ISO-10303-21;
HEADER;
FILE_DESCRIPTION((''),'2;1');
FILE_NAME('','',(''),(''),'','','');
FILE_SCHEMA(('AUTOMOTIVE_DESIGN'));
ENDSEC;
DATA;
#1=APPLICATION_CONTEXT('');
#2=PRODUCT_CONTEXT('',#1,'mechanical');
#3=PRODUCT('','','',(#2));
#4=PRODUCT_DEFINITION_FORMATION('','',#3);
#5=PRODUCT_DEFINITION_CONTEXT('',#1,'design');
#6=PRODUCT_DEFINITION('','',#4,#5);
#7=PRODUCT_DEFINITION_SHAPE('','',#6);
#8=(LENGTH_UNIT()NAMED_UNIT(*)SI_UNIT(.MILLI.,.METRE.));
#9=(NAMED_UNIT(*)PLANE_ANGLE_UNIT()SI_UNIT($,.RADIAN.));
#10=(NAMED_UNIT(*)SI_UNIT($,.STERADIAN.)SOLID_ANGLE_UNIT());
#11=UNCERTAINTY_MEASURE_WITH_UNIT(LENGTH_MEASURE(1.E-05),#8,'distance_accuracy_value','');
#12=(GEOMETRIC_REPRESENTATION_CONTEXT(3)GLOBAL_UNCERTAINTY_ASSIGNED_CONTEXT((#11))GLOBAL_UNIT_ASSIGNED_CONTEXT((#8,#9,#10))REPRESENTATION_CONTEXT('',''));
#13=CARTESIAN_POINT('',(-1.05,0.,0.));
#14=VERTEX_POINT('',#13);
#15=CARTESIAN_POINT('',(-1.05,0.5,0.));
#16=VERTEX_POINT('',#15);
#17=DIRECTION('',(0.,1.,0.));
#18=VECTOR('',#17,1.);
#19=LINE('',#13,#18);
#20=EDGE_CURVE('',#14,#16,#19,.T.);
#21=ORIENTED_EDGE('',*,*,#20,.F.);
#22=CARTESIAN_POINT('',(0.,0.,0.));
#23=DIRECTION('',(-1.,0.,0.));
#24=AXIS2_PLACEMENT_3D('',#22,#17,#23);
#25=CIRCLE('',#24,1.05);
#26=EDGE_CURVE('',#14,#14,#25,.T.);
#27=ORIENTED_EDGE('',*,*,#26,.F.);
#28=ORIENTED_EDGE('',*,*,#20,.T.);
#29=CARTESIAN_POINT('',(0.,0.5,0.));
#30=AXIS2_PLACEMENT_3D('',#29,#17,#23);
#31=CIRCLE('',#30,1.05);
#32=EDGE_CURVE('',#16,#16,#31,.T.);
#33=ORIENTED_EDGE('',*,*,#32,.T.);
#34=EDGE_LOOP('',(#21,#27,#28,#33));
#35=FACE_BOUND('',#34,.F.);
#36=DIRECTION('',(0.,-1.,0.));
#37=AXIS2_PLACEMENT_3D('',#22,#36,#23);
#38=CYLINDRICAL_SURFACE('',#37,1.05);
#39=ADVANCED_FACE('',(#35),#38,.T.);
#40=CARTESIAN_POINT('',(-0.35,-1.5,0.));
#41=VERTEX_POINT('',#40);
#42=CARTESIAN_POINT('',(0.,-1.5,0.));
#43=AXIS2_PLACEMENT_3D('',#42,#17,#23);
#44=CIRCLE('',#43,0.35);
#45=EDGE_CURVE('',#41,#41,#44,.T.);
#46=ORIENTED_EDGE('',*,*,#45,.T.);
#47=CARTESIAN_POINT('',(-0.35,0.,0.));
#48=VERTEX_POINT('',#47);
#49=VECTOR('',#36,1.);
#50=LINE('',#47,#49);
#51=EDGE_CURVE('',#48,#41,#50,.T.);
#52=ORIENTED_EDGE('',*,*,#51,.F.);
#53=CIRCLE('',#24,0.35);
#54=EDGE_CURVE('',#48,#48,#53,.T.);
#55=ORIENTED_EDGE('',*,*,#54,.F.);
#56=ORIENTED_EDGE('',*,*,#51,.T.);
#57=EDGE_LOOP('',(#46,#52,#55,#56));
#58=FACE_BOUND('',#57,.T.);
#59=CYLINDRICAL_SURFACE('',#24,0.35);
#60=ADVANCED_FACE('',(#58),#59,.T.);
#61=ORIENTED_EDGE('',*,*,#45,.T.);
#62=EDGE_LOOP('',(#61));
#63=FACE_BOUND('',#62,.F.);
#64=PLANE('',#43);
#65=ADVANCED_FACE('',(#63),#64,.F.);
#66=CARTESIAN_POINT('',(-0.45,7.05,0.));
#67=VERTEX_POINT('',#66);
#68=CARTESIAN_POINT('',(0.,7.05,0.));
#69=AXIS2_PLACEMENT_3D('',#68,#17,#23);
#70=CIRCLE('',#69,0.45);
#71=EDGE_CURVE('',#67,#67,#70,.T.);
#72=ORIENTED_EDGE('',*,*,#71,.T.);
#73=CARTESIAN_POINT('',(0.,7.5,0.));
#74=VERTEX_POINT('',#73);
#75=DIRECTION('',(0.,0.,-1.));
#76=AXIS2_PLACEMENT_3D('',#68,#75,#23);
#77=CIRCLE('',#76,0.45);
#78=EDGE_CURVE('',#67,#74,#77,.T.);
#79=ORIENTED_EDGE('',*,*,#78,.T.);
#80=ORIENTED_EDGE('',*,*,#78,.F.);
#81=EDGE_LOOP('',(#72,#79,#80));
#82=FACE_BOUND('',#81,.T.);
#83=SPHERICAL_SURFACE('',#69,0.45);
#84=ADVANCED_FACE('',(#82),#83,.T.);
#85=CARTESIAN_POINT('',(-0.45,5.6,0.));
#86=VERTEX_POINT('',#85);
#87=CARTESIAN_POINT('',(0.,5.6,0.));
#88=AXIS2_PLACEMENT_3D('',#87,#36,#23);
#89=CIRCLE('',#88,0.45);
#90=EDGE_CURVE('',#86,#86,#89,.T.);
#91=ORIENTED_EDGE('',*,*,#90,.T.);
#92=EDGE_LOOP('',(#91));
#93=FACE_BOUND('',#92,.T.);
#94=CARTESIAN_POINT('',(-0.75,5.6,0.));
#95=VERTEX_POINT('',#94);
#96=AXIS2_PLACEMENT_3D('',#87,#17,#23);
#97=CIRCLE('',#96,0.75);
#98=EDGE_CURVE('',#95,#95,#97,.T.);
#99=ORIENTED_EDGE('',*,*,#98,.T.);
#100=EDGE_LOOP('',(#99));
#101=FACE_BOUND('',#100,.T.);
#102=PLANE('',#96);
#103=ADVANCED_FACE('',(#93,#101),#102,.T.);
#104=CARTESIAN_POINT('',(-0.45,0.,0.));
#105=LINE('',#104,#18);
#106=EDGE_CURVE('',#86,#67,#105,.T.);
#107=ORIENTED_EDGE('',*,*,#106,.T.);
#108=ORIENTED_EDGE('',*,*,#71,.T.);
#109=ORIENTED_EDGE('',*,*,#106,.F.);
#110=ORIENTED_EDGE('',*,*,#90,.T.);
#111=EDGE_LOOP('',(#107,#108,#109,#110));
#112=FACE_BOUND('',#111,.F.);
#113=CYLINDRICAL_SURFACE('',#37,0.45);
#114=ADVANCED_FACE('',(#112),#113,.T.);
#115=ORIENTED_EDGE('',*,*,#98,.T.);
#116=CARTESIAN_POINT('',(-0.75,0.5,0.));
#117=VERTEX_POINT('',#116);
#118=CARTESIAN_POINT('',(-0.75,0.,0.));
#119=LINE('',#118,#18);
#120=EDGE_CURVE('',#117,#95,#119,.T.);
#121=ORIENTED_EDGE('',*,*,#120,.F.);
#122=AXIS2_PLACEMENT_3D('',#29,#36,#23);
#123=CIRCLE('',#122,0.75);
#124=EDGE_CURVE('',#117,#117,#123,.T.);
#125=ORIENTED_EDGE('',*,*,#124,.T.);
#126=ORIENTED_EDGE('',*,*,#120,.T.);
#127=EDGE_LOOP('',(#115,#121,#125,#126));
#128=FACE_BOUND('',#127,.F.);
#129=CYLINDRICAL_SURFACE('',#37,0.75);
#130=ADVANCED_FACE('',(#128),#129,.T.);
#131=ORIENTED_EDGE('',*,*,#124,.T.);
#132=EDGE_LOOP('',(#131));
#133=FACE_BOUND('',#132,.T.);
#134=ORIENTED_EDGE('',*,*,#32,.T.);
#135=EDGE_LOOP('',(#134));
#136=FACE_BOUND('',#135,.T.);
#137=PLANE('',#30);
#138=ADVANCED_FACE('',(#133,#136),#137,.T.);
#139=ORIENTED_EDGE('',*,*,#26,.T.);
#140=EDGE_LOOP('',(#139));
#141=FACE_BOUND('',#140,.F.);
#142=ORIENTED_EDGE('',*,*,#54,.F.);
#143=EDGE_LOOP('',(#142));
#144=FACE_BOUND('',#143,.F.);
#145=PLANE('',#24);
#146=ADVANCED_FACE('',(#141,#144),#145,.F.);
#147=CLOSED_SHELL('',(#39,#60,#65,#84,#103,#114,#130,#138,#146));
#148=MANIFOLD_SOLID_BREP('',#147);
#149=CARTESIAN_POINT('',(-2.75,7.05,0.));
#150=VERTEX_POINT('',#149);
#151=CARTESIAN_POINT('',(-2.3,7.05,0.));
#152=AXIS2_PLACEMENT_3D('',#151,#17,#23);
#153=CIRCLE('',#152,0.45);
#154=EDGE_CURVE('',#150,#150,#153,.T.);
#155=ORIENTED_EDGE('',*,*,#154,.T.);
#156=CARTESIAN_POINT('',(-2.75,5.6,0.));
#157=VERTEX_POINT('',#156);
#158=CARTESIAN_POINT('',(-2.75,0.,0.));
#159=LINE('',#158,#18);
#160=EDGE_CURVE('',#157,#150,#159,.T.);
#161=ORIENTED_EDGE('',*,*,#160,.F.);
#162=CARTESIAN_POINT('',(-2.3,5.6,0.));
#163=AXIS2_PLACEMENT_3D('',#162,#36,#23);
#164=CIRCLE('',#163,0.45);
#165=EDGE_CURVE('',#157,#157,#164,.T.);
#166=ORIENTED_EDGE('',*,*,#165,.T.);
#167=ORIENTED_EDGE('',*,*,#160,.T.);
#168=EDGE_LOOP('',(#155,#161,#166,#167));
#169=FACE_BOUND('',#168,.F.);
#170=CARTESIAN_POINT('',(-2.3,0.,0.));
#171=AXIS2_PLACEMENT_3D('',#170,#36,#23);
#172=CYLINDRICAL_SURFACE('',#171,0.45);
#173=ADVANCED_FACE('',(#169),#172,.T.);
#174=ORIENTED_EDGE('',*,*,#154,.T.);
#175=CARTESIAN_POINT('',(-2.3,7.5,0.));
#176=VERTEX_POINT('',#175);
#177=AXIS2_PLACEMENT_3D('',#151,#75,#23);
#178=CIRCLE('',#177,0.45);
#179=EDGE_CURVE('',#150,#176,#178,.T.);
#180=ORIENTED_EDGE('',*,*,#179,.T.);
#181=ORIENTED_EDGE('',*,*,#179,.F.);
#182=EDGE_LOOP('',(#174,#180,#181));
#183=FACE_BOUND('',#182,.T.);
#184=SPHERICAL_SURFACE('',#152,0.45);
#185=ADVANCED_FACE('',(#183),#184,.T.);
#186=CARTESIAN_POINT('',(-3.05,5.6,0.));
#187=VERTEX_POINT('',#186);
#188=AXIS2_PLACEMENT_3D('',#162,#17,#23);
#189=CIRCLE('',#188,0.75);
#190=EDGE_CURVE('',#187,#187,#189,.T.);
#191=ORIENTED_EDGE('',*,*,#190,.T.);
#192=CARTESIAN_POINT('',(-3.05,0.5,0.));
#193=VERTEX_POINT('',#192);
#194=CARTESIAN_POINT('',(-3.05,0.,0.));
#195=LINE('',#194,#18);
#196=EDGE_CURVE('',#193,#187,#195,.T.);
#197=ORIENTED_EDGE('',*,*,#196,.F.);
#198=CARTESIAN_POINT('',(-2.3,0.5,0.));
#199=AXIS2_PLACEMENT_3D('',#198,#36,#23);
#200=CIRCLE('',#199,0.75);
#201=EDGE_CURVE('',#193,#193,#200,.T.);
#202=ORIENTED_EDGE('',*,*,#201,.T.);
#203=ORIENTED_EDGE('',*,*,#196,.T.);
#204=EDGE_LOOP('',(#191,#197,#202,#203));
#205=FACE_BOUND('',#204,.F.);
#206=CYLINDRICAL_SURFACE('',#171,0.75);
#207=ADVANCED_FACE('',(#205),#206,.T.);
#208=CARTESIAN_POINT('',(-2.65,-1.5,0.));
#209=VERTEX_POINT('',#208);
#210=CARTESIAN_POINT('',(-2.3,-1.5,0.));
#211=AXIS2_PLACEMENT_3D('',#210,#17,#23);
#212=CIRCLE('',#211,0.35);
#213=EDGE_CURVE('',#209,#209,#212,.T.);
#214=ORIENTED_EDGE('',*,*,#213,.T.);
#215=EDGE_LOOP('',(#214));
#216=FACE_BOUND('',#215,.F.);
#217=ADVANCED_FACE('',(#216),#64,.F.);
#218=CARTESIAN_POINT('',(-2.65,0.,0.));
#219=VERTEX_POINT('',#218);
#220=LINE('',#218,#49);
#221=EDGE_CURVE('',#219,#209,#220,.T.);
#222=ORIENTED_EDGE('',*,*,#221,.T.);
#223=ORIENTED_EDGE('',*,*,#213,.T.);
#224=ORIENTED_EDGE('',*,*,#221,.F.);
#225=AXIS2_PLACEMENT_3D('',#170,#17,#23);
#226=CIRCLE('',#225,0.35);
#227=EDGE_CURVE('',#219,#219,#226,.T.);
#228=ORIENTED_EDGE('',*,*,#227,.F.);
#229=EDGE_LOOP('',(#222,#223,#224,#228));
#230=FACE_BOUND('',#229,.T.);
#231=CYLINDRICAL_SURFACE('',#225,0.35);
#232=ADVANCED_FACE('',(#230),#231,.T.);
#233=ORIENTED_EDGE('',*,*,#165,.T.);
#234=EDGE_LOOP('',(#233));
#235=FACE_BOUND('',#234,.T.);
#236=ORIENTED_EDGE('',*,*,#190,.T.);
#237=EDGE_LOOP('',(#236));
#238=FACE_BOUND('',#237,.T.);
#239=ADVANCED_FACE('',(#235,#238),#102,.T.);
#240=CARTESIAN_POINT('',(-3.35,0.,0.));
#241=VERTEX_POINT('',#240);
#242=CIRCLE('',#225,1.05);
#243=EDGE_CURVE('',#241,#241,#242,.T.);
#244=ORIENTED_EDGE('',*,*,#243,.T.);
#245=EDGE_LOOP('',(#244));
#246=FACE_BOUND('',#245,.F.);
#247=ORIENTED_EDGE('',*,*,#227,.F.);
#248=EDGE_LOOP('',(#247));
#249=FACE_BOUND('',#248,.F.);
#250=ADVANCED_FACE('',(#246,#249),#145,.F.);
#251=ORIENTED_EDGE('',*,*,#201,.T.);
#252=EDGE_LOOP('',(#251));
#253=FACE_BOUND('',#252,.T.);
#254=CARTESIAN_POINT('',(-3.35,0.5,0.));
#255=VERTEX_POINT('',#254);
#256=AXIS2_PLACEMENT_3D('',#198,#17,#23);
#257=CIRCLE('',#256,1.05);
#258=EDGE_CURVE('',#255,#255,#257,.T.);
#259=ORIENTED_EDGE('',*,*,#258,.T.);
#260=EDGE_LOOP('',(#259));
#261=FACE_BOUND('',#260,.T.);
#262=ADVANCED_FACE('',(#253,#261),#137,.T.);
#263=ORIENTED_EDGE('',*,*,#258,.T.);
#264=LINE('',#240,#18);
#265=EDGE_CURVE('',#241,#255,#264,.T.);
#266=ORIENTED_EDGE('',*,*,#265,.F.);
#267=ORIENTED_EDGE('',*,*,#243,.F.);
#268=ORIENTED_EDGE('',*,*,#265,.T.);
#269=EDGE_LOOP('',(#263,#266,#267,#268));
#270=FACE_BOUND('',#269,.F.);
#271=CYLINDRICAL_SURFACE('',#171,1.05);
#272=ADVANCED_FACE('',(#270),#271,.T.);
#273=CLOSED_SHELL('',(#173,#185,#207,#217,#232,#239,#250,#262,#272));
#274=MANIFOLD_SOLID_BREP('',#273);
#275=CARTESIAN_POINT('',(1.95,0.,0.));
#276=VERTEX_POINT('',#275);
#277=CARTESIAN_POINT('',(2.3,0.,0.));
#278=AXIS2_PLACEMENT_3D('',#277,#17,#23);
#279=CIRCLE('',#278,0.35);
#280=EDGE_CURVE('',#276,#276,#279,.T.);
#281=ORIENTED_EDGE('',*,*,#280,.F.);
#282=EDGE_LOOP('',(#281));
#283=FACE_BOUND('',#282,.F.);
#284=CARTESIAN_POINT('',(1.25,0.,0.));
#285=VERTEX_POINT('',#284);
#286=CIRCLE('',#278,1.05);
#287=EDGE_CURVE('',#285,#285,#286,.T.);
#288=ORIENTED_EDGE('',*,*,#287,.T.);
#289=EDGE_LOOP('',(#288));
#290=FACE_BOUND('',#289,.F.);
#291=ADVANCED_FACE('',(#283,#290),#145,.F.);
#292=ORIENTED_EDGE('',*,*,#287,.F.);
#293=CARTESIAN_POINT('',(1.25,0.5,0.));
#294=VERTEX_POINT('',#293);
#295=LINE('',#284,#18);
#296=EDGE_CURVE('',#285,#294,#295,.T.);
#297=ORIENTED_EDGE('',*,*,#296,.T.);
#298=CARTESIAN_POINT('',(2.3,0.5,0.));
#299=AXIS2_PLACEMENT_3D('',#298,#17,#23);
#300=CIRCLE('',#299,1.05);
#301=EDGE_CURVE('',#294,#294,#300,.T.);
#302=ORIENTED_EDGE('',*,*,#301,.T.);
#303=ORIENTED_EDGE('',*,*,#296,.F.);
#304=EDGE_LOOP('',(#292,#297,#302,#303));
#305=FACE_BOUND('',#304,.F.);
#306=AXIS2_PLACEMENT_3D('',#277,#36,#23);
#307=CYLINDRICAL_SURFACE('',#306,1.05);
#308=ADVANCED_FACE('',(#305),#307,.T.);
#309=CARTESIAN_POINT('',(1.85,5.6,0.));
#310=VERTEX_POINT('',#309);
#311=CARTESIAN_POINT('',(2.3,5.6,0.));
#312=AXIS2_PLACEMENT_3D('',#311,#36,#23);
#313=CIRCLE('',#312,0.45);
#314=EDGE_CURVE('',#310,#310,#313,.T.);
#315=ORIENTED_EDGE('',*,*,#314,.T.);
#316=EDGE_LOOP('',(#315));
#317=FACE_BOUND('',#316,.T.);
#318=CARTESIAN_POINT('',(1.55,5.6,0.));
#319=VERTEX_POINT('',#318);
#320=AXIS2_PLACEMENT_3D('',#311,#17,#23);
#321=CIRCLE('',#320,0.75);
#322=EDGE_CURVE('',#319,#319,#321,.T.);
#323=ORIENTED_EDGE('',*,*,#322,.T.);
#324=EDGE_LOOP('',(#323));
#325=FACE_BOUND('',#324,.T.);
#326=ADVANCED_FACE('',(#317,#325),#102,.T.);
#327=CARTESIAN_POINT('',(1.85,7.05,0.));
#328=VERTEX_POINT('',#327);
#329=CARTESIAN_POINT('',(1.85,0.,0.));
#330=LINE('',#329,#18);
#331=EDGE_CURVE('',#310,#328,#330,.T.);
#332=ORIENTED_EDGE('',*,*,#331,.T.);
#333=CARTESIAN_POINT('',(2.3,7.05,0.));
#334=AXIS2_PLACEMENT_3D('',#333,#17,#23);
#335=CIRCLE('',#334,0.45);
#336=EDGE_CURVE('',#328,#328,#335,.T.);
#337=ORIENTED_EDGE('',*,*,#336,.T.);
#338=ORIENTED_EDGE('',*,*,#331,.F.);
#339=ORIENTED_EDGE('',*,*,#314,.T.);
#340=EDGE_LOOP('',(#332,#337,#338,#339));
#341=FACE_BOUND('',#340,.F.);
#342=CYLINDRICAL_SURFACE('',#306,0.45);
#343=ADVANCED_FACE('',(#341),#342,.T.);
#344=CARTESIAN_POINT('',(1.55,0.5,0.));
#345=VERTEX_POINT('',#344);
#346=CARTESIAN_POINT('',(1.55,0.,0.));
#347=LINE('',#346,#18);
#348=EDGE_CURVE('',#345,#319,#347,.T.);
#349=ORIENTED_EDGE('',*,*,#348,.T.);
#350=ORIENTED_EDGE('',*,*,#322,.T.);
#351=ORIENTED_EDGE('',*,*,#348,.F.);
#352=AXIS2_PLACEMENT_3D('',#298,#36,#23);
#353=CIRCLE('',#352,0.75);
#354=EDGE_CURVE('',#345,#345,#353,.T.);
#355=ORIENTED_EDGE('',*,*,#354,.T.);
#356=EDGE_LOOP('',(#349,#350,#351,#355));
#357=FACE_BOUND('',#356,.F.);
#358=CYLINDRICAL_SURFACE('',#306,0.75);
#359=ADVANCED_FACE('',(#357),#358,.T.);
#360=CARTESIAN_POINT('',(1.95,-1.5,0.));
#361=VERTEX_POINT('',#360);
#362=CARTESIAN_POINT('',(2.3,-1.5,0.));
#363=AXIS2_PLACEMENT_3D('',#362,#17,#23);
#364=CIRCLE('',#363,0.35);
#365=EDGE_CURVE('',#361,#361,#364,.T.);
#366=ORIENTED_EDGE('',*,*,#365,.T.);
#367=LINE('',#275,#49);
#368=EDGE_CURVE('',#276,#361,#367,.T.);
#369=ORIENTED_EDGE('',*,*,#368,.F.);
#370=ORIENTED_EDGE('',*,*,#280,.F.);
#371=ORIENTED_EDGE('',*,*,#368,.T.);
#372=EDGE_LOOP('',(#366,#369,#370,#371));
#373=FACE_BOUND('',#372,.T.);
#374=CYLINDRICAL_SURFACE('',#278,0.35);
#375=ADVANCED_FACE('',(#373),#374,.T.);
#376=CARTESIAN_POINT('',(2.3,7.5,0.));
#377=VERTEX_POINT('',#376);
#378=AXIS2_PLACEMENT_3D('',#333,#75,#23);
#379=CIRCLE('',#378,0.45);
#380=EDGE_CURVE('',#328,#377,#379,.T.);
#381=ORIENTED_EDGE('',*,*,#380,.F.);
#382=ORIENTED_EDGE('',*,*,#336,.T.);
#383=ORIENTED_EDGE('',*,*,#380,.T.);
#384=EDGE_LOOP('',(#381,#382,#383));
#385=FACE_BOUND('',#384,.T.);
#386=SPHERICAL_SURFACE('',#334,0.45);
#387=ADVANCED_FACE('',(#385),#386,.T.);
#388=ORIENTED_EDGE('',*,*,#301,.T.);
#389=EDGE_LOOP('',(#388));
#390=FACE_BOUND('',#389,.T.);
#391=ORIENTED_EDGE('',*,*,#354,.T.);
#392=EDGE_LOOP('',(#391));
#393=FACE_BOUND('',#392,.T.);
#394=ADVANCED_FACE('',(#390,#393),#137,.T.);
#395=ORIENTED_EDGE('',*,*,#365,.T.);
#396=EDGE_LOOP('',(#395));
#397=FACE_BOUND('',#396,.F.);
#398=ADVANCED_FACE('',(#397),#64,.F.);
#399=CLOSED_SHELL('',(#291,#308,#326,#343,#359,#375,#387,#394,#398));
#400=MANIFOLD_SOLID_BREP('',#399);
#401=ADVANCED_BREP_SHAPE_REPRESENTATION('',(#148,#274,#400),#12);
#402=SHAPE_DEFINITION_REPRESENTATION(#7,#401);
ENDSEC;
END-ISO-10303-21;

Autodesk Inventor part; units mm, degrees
ref_plane "YZ Plane" through (0, 0, 0) normal (1, 0, 0) x (0, 1, 0)
ref_plane "XZ Plane" through (0, 0, 0) normal (0, 1, 0) x (-1, 0, 0)
sketch "Sketch1" plane through (0, 0, 0) normal (0, 1, 0) x (-1, 0, 0)
  line L0 (-8.55, 0) -> (-8.55, 0)
  line L1 (5.4, 2.35) -> (-5.4, 2.35)
  line L2 (-7.75, 0) -> (-7.75, 0)
  line L3 (7.75, 0) -> (7.75, 0)
  arc A0 (-5.4, 2.35) -> (-7.75, 0) centre (-5.4, 0) ccw
  arc A1 (-7.75, 0) -> (-5.4, -2.35) centre (-5.4, 0) ccw
  arc A2 (7.75, 0) -> (5.4, 2.35) centre (5.4, 0) ccw
  arc A3 (5.4, -2.35) -> (7.75, 0) centre (5.4, 0) ccw
  circle A4 centre (5.4, 0) radius 1.5
  circle A5 centre (-5.4, 0) radius 1.5
  circle A6 centre (2.3, 0) radius 0.75
  circle A7 centre (0, 0) radius 0.75
  circle A8 centre (-2.3, 0) radius 0.75
  circle A9 centre (2.3, 0) radius 0.35
  circle A10 centre (0, 0) radius 0.35
  circle A11 centre (-2.3, 0) radius 0.45
  line L4 (-15.2366, 19.4813) -> (26.8433, 19.4813) construction
  line L5 (26.8433, 19.4813) -> (26.8433, -5.0467) construction
  line L6 (26.8433, -5.0467) -> (-15.2366, -5.0467) construction
  line L7 (-15.2366, -5.0467) -> (-15.2366, 19.4813) construction
  line L8 (-8.3717, -2.35) -> (8.3717, -2.35)
  line L9 (8.3717, 2.35) -> (-8.3717, 2.35)
  circle A12 centre (2.3, 0) radius 1.05
  circle A13 centre (0, 0) radius 1.05
  circle A14 centre (-2.3, 0) radius 1.05
  circle A15 centre (-2.3, 0) radius 0.35
  circle A16 centre (0, 0) radius 0.45
  circle A17 centre (2.3, 0) radius 0.45
  point P0 (7.75, 0)
  point P1 (-5.4, -2.35)
  point P2 (5.4, -2.35)
  dimension "d5" = 2.35
  dimension "d6" = 3
  dimension "d7" = 3
  dimension "d10" = 1.5
  dimension "d11" = 4.6
  dimension "d14" = 0.9
  dimension "d201" = 2.1
  dimension "d202" = 2.1
  dimension "d203" = 2.1
  dimension "d204" = 1.5
  dimension "d205" = 1.5
  dimension "d213" = 0.7
  dimension "d214" = 0.9
  dimension "d215" = 0.9
ref_plane "Work Plane2" through (-5.4, 0, 2.35) normal (0, 0, 1) x (1, 0, 0)
sketch "Sketch3" plane through (-5.4, 0, 2.35) normal (0, 0, 1) x (1, 0, 0)
  line L0 (-9.7661, 9.6728) -> (32.2033, 9.6728) construction
  line L1 (32.2033, 9.6728) -> (32.2033, -14.7908) construction
  line L2 (32.2033, -14.7908) -> (-9.7661, -14.7908) construction
  line L3 (-9.7661, -14.7908) -> (-9.7661, 9.6728) construction
  point P0 (5.4, 0)
extrude "Extrusion9" add sketch "Sketch1" along normal blind 0.5 contours A6 | A7 | A8 | A9 | A10 | A11 | A12 | A13 | A14 | A15 | A16 | A17
extrude "Extrusion10" add sketch "Sketch1" against normal blind 1.5 contours A9 | A10 | A15
extrude "Extrusion11" add sketch "Sketch1" along normal blind 5.6 contours A6 | A7 | A8 | A9 | A10 | A11 | A15 | A16 | A17
extrude "Extrusion12" add sketch "Sketch1" along normal blind 7.5 contours A9 | A10 | A11 | A15 | A16 | A17
fillet "Fillet1" radius 0.45 3 edges at (2.75, 7.5, 0) (0.45, 7.5, 0) (-1.85, 7.5, 0)
properties part number "Pogo2" material "Copper"
